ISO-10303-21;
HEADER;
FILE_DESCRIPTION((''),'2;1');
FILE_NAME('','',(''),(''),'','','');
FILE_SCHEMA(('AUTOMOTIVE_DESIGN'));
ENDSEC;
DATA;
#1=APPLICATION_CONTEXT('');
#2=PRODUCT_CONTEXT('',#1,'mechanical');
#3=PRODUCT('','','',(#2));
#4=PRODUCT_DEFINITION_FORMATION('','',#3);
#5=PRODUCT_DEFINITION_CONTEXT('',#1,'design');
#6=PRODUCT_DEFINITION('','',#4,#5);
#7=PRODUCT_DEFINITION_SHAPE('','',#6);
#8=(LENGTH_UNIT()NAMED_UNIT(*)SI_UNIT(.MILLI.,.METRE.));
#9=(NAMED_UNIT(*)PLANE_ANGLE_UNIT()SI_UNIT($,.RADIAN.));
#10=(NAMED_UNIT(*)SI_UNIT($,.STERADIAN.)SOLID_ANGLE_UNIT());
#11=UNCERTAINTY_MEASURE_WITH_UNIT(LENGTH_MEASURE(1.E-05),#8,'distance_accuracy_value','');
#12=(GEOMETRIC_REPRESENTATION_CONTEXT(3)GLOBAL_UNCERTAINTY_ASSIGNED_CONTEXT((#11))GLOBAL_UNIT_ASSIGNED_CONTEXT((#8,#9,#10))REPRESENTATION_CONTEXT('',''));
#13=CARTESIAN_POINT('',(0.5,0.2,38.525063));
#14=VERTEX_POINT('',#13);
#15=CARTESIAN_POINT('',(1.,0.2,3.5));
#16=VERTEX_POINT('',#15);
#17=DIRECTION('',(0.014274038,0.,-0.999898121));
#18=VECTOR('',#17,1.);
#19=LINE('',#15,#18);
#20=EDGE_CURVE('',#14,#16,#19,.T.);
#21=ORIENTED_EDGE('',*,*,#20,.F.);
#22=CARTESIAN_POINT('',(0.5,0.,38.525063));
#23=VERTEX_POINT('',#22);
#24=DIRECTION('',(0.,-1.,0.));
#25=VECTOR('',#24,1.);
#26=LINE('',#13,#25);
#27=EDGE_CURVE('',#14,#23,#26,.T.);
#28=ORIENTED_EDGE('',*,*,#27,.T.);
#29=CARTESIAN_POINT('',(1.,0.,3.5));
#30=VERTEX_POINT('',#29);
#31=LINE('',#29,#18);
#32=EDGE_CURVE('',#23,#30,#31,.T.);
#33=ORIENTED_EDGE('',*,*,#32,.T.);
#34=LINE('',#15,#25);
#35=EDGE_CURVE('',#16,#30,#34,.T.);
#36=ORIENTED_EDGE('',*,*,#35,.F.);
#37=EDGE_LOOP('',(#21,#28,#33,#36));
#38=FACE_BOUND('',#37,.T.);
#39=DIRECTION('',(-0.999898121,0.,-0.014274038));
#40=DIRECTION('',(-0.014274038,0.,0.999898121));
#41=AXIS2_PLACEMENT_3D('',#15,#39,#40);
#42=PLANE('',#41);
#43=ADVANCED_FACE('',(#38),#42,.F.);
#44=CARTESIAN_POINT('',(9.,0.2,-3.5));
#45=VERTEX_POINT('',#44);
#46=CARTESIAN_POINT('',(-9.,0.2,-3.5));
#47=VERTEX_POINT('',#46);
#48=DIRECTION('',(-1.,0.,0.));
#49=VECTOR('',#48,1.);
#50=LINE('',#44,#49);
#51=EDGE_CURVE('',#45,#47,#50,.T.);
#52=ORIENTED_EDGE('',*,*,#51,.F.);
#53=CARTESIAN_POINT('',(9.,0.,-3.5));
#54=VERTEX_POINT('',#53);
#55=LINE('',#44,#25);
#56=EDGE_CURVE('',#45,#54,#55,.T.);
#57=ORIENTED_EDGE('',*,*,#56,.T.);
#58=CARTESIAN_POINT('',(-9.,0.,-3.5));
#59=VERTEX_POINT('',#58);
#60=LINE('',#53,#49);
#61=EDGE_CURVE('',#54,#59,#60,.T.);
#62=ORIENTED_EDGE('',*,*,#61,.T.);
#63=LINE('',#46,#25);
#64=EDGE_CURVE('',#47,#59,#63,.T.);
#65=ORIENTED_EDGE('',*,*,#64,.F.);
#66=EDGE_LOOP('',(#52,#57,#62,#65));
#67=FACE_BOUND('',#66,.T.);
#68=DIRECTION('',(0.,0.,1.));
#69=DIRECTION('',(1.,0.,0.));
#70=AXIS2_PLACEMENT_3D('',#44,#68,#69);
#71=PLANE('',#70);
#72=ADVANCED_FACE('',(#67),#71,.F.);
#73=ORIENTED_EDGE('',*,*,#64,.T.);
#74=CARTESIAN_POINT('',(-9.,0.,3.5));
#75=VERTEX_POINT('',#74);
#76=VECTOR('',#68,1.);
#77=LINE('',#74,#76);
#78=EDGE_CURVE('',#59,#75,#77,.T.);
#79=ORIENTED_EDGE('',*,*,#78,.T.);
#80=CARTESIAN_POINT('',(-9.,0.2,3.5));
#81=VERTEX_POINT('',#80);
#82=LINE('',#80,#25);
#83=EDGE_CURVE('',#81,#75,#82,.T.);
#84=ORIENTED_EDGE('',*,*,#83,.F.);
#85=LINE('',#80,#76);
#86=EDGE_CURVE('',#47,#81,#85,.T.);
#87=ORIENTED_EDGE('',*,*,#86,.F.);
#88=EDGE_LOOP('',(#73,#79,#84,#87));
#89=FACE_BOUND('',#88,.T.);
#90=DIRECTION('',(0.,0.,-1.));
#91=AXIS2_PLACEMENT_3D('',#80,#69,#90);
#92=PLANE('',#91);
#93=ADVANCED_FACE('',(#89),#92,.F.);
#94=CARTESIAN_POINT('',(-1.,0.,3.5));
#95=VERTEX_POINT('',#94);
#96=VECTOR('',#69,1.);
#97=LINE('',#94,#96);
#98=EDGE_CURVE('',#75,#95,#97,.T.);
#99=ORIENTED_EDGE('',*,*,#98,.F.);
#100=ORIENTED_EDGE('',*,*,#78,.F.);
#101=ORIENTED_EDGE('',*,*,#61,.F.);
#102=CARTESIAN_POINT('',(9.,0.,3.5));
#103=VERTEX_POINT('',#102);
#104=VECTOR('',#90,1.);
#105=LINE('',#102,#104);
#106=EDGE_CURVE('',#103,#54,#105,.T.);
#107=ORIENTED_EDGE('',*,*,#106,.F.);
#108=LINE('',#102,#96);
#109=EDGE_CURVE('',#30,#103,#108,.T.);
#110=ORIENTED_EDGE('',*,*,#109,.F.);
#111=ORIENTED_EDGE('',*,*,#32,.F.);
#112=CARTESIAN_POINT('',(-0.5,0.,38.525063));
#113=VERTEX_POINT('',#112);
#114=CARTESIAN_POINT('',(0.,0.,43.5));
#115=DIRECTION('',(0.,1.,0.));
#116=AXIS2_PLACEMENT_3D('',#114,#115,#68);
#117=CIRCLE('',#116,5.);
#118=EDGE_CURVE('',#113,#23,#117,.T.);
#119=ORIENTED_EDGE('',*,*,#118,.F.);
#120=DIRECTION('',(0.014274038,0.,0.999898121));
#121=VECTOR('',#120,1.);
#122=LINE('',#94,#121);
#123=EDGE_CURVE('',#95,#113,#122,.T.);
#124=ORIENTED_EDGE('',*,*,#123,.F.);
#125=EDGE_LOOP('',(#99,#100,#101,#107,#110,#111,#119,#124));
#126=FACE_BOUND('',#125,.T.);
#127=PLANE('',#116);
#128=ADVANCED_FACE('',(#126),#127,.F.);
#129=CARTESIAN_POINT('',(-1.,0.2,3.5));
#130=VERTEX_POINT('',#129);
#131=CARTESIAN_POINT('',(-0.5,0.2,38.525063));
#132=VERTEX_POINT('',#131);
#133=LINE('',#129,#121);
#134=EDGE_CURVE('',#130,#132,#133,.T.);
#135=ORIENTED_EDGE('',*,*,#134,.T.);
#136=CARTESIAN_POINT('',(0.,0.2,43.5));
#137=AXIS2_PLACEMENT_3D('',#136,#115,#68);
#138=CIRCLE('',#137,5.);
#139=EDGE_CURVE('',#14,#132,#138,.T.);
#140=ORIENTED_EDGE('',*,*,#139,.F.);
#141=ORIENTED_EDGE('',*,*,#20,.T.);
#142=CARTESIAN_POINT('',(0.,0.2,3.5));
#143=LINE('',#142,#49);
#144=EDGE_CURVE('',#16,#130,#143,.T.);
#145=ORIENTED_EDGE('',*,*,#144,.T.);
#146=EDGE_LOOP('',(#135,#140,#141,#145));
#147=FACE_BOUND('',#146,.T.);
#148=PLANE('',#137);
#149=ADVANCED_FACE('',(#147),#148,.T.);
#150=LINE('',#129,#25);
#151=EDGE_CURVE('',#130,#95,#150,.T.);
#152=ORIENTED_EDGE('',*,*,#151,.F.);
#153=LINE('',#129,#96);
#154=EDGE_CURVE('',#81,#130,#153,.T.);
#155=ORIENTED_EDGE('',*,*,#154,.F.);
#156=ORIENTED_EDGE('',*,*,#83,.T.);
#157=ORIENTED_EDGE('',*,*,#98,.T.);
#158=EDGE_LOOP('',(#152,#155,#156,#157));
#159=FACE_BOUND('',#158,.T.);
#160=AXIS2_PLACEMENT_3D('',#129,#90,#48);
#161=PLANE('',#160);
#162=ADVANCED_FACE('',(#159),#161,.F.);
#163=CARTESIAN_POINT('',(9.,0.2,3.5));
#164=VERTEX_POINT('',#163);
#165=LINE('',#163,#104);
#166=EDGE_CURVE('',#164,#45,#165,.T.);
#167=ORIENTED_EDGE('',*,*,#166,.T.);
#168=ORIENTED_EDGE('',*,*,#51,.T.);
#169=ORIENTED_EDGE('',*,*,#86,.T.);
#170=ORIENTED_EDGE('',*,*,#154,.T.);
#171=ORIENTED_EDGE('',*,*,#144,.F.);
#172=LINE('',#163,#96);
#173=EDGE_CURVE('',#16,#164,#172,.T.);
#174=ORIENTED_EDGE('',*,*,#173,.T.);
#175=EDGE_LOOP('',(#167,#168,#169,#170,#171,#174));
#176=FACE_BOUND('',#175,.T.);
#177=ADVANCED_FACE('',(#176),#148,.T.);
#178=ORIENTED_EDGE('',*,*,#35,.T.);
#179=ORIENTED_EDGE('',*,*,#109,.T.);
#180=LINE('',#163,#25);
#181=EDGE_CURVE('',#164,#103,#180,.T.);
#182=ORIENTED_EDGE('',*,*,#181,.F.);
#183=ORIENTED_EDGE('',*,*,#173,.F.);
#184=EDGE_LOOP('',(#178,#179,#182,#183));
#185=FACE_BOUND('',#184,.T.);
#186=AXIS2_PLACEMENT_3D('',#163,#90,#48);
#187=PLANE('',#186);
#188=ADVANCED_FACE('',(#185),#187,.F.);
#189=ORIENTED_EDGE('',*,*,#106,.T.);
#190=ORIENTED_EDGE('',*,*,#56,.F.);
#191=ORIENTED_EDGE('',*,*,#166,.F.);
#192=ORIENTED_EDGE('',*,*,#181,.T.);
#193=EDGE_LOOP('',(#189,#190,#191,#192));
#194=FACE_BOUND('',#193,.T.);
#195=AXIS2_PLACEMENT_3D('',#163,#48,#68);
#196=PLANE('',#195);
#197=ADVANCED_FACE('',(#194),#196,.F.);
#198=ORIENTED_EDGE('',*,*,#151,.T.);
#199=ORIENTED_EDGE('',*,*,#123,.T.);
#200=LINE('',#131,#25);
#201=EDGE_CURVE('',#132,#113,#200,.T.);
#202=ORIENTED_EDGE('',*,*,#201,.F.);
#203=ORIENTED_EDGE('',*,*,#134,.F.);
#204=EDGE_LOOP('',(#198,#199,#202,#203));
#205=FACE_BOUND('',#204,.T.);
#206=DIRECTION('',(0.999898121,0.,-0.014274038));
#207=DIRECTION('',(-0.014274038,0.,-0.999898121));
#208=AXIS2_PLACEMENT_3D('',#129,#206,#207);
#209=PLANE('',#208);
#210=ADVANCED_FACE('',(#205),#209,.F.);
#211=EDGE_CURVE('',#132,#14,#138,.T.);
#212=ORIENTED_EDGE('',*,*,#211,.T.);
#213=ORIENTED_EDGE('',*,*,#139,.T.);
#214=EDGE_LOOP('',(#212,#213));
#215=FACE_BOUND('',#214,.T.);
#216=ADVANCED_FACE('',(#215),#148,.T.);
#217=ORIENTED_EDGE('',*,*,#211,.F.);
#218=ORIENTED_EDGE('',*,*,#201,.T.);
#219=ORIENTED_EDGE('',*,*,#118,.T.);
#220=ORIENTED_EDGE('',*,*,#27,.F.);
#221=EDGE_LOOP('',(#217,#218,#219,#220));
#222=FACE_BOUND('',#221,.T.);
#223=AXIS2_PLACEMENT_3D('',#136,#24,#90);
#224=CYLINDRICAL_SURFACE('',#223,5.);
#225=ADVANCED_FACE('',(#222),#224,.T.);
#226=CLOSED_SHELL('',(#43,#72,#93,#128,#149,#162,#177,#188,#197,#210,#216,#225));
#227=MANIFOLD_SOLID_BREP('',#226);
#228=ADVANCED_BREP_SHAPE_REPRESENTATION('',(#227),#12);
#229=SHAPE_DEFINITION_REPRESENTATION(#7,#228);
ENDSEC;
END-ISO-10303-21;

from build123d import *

# Parameters (mm, degrees)
EXTRUDE_1_DEPTH = 0.2


with BuildPart() as part:
    # 草图1 → 凸台-拉伸1 (new body)
    with BuildSketch(Plane(origin=(0, 0, 0), x_dir=(1, 0, 0), z_dir=(0, 1, 0))):
        with BuildLine():
            Line((9, -3.5), (1, -3.5))
            Line((1, -3.5), (0.5, -38.525062814))
            ThreePointArc((0.5, -38.525062814), (0, -48.5), (-0.5, -38.525062814))
            Line((-0.5, -38.525062814), (-1, -3.5))
            Line((-1, -3.5), (-9, -3.5))
            Line((-9, -3.5), (-9, 3.5))
            Line((-9, 3.5), (9, 3.5))
            Line((9, 3.5), (9, -3.5))
        make_face()
    extrude(amount=EXTRUDE_1_DEPTH)


solid = part.part
